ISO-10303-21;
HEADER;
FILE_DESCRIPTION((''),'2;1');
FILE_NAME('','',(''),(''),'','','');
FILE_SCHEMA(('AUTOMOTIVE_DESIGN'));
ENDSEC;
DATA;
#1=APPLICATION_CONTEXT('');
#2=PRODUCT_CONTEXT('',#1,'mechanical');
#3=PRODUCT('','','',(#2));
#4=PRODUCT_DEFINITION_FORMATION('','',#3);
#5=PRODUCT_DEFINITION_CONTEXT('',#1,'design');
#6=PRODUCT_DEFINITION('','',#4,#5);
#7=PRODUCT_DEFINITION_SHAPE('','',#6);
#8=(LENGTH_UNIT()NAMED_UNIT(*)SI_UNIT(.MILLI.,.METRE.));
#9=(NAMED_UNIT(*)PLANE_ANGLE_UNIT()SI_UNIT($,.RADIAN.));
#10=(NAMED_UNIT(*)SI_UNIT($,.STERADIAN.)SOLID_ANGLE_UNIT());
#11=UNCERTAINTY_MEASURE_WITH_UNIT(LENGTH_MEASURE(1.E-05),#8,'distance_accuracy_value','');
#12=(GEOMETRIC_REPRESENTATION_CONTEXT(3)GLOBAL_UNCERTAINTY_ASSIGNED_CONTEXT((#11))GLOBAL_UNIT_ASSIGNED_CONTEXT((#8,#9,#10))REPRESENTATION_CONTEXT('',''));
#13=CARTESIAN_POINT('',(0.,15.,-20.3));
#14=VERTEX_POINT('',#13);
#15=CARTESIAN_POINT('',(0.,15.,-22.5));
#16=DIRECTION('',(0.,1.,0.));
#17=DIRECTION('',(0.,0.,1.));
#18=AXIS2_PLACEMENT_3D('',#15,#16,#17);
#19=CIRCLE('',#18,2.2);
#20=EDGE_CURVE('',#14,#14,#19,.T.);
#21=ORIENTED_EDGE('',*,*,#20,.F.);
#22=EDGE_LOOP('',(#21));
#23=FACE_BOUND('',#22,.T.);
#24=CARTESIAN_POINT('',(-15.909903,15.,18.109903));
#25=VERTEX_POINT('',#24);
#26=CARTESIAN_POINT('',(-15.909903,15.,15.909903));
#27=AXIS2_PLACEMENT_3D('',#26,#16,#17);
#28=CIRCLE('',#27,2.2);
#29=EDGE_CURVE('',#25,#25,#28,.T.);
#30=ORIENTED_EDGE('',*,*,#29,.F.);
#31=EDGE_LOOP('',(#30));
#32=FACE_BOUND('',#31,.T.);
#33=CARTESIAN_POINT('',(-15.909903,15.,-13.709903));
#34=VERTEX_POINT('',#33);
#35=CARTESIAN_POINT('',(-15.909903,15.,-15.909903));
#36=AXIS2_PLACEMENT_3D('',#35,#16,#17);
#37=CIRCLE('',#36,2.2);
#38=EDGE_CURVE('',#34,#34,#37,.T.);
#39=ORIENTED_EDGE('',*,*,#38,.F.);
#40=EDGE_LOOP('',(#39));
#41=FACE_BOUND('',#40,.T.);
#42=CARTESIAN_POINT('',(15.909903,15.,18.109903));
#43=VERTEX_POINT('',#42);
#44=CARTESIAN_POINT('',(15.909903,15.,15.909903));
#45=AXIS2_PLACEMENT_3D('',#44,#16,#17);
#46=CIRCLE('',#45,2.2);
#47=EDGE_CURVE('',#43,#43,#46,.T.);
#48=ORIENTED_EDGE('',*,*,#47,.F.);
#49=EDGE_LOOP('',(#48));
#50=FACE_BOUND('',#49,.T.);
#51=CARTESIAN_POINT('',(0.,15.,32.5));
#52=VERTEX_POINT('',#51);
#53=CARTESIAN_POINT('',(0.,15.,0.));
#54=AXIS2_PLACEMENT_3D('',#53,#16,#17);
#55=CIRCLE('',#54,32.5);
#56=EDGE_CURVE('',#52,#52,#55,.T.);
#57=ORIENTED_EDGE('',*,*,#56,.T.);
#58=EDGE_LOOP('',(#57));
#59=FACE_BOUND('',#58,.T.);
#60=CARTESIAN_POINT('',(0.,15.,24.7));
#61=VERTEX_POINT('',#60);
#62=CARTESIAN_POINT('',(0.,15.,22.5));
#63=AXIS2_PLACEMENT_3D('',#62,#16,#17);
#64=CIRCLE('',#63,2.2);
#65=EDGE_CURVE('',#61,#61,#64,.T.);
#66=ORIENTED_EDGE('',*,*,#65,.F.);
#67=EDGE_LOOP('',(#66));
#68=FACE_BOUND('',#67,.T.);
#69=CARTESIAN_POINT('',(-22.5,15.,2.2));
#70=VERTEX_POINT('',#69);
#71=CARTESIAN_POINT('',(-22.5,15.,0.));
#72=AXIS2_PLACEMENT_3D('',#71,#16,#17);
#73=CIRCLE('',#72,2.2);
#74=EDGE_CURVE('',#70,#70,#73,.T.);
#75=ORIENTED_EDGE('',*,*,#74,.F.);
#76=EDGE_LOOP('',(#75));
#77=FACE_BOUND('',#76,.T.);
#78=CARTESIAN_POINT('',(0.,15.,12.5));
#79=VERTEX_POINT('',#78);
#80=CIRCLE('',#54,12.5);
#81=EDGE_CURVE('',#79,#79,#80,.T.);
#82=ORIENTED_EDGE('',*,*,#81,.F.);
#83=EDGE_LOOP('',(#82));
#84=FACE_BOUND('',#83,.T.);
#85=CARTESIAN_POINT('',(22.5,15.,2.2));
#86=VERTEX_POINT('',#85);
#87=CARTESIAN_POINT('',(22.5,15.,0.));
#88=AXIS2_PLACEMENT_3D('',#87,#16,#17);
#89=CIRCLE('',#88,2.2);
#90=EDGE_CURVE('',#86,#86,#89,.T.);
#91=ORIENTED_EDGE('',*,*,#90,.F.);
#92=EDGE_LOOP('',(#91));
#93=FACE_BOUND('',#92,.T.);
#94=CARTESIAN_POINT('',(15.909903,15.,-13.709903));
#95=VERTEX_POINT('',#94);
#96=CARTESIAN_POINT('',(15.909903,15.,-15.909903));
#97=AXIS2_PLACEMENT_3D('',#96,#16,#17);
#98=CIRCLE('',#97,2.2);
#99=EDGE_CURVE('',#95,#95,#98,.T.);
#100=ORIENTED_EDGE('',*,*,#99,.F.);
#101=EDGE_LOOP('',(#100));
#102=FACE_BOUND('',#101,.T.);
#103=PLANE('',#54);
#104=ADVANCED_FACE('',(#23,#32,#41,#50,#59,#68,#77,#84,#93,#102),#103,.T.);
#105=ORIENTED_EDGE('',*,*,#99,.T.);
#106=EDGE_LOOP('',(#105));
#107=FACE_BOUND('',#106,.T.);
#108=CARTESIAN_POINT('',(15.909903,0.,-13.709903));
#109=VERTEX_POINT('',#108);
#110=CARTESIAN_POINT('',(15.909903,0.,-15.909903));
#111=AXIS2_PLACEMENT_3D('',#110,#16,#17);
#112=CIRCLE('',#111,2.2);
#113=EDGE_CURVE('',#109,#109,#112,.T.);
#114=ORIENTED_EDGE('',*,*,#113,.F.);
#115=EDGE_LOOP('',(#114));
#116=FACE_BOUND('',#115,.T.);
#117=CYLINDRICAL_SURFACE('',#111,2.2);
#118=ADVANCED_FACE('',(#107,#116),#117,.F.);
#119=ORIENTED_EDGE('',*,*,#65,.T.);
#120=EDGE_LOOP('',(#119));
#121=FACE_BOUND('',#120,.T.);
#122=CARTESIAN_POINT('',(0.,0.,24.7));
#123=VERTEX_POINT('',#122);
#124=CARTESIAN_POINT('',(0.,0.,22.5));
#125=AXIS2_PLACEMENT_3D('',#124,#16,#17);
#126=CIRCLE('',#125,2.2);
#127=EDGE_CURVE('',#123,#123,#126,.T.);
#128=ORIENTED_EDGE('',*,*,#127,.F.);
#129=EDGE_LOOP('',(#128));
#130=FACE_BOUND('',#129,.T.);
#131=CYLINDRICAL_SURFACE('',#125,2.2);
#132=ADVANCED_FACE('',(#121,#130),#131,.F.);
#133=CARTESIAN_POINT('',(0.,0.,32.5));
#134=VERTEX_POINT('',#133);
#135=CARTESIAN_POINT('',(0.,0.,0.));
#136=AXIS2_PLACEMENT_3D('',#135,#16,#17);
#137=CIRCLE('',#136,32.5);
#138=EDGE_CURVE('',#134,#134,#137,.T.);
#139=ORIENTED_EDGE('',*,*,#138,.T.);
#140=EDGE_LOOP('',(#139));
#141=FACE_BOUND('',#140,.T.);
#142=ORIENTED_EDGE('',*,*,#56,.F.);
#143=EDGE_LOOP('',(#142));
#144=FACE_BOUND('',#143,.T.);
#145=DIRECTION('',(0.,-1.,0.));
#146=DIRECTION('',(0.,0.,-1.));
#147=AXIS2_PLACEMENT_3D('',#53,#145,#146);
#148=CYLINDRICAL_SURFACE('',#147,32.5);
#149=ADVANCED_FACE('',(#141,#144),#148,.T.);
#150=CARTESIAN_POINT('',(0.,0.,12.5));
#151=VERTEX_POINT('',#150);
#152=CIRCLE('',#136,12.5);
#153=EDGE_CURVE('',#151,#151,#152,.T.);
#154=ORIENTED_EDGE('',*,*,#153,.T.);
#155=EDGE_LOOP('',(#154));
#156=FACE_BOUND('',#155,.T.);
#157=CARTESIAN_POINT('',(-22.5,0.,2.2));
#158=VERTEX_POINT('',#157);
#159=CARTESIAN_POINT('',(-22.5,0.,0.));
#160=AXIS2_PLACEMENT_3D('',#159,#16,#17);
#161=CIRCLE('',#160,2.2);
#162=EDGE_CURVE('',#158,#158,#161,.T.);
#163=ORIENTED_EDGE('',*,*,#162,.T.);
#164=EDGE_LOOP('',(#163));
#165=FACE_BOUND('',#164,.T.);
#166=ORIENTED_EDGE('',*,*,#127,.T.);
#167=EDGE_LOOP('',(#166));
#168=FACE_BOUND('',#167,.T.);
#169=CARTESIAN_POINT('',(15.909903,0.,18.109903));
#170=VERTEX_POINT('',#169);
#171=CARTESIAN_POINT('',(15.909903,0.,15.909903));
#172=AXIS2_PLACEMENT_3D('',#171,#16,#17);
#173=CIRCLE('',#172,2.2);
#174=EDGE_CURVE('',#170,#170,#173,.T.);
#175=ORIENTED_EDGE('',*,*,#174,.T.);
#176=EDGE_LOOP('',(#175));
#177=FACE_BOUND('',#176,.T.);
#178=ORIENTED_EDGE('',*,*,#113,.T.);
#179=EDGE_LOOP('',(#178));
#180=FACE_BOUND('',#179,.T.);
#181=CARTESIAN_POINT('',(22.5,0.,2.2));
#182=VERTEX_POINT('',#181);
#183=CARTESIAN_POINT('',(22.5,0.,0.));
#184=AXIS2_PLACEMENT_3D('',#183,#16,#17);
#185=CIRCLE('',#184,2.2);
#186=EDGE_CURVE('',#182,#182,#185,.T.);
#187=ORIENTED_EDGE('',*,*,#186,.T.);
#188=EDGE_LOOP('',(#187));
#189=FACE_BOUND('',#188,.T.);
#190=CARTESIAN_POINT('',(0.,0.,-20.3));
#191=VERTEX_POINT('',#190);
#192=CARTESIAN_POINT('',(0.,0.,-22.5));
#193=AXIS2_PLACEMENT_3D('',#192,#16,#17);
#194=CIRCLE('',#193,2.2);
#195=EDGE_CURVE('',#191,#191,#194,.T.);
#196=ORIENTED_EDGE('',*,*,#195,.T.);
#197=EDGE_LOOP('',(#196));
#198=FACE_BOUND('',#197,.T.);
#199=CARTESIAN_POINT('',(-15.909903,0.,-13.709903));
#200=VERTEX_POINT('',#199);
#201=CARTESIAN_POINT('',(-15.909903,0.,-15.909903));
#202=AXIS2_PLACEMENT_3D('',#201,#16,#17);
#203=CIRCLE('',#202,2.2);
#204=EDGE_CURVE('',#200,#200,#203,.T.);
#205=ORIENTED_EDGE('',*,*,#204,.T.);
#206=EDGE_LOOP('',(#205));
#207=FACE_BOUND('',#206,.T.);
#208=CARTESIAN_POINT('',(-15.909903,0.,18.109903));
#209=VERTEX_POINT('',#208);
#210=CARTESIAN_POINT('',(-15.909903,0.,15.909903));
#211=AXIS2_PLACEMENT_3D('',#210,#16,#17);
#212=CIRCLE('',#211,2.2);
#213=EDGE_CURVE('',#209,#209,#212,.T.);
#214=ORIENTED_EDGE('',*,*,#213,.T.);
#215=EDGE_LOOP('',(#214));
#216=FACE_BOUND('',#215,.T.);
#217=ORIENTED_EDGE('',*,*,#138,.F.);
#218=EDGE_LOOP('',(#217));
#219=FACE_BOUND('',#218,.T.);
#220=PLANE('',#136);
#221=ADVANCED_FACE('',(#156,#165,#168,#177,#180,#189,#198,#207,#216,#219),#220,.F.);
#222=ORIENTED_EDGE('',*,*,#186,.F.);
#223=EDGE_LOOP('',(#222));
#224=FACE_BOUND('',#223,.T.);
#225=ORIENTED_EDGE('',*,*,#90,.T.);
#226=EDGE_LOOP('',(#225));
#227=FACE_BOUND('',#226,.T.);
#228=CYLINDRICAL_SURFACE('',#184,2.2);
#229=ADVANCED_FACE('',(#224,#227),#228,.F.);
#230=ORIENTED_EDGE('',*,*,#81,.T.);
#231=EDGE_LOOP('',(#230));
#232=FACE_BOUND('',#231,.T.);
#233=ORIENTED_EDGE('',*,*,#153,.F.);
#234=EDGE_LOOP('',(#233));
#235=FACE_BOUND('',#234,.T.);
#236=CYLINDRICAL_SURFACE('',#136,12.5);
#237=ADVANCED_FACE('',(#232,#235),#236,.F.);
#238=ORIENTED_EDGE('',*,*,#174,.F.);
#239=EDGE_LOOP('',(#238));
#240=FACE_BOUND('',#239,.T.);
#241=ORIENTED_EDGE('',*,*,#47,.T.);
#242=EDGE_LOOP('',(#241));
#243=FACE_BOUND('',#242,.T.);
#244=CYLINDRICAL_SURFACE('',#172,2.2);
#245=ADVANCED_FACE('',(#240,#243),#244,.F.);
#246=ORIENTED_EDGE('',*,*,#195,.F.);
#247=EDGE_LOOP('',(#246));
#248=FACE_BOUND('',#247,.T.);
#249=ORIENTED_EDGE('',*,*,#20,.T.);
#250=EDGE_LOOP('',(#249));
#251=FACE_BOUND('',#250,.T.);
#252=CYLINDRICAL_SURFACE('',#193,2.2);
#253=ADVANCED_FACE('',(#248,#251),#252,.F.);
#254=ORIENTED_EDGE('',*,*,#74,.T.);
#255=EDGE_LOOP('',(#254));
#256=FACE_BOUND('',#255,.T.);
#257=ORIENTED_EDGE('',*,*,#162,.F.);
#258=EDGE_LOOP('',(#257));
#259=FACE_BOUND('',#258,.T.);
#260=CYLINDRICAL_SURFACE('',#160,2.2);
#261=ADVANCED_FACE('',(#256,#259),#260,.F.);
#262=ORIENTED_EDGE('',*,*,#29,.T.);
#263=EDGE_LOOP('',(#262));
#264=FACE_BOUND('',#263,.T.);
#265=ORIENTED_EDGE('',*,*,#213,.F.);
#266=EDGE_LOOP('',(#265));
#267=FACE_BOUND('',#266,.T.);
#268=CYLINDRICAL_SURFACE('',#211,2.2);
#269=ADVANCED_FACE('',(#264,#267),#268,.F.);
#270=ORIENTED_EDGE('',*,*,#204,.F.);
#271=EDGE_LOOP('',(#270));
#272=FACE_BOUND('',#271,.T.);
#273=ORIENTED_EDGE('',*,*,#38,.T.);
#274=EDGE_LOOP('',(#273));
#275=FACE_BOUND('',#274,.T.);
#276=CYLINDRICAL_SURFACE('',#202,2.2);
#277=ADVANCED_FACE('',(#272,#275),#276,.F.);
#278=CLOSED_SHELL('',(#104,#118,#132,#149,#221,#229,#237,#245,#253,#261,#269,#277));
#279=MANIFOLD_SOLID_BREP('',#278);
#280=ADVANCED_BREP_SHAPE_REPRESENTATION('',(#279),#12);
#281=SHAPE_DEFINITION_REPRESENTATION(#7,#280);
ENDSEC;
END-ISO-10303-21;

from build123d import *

# Parameters (mm, degrees)
SKETCH1_R           = 32.5
BOSS_EXTRUDE1_DEPTH = 15
SKETCH2_R           = 2.2
CUT_EXTRUDE1_DEPTH  = 49.347699015
SKETCH3_R           = 12.5
CUT_EXTRUDE2_DEPTH  = 49.347699015


with BuildPart() as part:
    # Sketch1 → Boss-Extrude1 (new body)
    with BuildSketch(Plane(origin=(0, 0, 0), x_dir=(1, 0, 0), z_dir=(0, 1, 0))):
        with Locations(Location((0, 0, 0), (0, 0, 270))):
            Circle(SKETCH1_R)
    extrude(amount=BOSS_EXTRUDE1_DEPTH)

    # Sketch2 → Cut-Extrude1 (cut, through all)
    with BuildSketch(Plane(origin=(0, 15, 0), x_dir=(1, 0, 0), z_dir=(0, 1, 0))):
        with Locations(Location((0, 22.5, 0), (0, 0, 270))):
            Circle(SKETCH2_R)
        with Locations(Location((15.909902577, 15.909902577, 0), (0, 0, 270))):
            Circle(SKETCH2_R)
        with Locations(Location((22.5, 0, 0), (0, 0, 270))):
            Circle(SKETCH2_R)
        with Locations(Location((15.909902577, -15.909902577, 0), (0, 0, 270))):
            Circle(SKETCH2_R)
        with Locations(Location((0, -22.5, 0), (0, 0, 270))):
            Circle(SKETCH2_R)
        with Locations(Location((-15.909902577, -15.909902577, 0), (0, 0, 270))):
            Circle(SKETCH2_R)
        with Locations(Location((-22.5, 0, 0), (0, 0, 270))):
            Circle(SKETCH2_R)
        with Locations(Location((-15.909902577, 15.909902577, 0), (0, 0, 270))):
            Circle(SKETCH2_R)
    extrude(amount=-CUT_EXTRUDE1_DEPTH, mode=Mode.SUBTRACT)

    # Sketch3 → Cut-Extrude2 (cut, through all)
    with BuildSketch(Plane(origin=(0, 15, 0), x_dir=(1, 0, 0), z_dir=(0, 1, 0))):
        with Locations(Location((0, 0, 0), (0, 0, 270))):
            Circle(SKETCH3_R)
    extrude(amount=-CUT_EXTRUDE2_DEPTH, mode=Mode.SUBTRACT)


solid = part.part
